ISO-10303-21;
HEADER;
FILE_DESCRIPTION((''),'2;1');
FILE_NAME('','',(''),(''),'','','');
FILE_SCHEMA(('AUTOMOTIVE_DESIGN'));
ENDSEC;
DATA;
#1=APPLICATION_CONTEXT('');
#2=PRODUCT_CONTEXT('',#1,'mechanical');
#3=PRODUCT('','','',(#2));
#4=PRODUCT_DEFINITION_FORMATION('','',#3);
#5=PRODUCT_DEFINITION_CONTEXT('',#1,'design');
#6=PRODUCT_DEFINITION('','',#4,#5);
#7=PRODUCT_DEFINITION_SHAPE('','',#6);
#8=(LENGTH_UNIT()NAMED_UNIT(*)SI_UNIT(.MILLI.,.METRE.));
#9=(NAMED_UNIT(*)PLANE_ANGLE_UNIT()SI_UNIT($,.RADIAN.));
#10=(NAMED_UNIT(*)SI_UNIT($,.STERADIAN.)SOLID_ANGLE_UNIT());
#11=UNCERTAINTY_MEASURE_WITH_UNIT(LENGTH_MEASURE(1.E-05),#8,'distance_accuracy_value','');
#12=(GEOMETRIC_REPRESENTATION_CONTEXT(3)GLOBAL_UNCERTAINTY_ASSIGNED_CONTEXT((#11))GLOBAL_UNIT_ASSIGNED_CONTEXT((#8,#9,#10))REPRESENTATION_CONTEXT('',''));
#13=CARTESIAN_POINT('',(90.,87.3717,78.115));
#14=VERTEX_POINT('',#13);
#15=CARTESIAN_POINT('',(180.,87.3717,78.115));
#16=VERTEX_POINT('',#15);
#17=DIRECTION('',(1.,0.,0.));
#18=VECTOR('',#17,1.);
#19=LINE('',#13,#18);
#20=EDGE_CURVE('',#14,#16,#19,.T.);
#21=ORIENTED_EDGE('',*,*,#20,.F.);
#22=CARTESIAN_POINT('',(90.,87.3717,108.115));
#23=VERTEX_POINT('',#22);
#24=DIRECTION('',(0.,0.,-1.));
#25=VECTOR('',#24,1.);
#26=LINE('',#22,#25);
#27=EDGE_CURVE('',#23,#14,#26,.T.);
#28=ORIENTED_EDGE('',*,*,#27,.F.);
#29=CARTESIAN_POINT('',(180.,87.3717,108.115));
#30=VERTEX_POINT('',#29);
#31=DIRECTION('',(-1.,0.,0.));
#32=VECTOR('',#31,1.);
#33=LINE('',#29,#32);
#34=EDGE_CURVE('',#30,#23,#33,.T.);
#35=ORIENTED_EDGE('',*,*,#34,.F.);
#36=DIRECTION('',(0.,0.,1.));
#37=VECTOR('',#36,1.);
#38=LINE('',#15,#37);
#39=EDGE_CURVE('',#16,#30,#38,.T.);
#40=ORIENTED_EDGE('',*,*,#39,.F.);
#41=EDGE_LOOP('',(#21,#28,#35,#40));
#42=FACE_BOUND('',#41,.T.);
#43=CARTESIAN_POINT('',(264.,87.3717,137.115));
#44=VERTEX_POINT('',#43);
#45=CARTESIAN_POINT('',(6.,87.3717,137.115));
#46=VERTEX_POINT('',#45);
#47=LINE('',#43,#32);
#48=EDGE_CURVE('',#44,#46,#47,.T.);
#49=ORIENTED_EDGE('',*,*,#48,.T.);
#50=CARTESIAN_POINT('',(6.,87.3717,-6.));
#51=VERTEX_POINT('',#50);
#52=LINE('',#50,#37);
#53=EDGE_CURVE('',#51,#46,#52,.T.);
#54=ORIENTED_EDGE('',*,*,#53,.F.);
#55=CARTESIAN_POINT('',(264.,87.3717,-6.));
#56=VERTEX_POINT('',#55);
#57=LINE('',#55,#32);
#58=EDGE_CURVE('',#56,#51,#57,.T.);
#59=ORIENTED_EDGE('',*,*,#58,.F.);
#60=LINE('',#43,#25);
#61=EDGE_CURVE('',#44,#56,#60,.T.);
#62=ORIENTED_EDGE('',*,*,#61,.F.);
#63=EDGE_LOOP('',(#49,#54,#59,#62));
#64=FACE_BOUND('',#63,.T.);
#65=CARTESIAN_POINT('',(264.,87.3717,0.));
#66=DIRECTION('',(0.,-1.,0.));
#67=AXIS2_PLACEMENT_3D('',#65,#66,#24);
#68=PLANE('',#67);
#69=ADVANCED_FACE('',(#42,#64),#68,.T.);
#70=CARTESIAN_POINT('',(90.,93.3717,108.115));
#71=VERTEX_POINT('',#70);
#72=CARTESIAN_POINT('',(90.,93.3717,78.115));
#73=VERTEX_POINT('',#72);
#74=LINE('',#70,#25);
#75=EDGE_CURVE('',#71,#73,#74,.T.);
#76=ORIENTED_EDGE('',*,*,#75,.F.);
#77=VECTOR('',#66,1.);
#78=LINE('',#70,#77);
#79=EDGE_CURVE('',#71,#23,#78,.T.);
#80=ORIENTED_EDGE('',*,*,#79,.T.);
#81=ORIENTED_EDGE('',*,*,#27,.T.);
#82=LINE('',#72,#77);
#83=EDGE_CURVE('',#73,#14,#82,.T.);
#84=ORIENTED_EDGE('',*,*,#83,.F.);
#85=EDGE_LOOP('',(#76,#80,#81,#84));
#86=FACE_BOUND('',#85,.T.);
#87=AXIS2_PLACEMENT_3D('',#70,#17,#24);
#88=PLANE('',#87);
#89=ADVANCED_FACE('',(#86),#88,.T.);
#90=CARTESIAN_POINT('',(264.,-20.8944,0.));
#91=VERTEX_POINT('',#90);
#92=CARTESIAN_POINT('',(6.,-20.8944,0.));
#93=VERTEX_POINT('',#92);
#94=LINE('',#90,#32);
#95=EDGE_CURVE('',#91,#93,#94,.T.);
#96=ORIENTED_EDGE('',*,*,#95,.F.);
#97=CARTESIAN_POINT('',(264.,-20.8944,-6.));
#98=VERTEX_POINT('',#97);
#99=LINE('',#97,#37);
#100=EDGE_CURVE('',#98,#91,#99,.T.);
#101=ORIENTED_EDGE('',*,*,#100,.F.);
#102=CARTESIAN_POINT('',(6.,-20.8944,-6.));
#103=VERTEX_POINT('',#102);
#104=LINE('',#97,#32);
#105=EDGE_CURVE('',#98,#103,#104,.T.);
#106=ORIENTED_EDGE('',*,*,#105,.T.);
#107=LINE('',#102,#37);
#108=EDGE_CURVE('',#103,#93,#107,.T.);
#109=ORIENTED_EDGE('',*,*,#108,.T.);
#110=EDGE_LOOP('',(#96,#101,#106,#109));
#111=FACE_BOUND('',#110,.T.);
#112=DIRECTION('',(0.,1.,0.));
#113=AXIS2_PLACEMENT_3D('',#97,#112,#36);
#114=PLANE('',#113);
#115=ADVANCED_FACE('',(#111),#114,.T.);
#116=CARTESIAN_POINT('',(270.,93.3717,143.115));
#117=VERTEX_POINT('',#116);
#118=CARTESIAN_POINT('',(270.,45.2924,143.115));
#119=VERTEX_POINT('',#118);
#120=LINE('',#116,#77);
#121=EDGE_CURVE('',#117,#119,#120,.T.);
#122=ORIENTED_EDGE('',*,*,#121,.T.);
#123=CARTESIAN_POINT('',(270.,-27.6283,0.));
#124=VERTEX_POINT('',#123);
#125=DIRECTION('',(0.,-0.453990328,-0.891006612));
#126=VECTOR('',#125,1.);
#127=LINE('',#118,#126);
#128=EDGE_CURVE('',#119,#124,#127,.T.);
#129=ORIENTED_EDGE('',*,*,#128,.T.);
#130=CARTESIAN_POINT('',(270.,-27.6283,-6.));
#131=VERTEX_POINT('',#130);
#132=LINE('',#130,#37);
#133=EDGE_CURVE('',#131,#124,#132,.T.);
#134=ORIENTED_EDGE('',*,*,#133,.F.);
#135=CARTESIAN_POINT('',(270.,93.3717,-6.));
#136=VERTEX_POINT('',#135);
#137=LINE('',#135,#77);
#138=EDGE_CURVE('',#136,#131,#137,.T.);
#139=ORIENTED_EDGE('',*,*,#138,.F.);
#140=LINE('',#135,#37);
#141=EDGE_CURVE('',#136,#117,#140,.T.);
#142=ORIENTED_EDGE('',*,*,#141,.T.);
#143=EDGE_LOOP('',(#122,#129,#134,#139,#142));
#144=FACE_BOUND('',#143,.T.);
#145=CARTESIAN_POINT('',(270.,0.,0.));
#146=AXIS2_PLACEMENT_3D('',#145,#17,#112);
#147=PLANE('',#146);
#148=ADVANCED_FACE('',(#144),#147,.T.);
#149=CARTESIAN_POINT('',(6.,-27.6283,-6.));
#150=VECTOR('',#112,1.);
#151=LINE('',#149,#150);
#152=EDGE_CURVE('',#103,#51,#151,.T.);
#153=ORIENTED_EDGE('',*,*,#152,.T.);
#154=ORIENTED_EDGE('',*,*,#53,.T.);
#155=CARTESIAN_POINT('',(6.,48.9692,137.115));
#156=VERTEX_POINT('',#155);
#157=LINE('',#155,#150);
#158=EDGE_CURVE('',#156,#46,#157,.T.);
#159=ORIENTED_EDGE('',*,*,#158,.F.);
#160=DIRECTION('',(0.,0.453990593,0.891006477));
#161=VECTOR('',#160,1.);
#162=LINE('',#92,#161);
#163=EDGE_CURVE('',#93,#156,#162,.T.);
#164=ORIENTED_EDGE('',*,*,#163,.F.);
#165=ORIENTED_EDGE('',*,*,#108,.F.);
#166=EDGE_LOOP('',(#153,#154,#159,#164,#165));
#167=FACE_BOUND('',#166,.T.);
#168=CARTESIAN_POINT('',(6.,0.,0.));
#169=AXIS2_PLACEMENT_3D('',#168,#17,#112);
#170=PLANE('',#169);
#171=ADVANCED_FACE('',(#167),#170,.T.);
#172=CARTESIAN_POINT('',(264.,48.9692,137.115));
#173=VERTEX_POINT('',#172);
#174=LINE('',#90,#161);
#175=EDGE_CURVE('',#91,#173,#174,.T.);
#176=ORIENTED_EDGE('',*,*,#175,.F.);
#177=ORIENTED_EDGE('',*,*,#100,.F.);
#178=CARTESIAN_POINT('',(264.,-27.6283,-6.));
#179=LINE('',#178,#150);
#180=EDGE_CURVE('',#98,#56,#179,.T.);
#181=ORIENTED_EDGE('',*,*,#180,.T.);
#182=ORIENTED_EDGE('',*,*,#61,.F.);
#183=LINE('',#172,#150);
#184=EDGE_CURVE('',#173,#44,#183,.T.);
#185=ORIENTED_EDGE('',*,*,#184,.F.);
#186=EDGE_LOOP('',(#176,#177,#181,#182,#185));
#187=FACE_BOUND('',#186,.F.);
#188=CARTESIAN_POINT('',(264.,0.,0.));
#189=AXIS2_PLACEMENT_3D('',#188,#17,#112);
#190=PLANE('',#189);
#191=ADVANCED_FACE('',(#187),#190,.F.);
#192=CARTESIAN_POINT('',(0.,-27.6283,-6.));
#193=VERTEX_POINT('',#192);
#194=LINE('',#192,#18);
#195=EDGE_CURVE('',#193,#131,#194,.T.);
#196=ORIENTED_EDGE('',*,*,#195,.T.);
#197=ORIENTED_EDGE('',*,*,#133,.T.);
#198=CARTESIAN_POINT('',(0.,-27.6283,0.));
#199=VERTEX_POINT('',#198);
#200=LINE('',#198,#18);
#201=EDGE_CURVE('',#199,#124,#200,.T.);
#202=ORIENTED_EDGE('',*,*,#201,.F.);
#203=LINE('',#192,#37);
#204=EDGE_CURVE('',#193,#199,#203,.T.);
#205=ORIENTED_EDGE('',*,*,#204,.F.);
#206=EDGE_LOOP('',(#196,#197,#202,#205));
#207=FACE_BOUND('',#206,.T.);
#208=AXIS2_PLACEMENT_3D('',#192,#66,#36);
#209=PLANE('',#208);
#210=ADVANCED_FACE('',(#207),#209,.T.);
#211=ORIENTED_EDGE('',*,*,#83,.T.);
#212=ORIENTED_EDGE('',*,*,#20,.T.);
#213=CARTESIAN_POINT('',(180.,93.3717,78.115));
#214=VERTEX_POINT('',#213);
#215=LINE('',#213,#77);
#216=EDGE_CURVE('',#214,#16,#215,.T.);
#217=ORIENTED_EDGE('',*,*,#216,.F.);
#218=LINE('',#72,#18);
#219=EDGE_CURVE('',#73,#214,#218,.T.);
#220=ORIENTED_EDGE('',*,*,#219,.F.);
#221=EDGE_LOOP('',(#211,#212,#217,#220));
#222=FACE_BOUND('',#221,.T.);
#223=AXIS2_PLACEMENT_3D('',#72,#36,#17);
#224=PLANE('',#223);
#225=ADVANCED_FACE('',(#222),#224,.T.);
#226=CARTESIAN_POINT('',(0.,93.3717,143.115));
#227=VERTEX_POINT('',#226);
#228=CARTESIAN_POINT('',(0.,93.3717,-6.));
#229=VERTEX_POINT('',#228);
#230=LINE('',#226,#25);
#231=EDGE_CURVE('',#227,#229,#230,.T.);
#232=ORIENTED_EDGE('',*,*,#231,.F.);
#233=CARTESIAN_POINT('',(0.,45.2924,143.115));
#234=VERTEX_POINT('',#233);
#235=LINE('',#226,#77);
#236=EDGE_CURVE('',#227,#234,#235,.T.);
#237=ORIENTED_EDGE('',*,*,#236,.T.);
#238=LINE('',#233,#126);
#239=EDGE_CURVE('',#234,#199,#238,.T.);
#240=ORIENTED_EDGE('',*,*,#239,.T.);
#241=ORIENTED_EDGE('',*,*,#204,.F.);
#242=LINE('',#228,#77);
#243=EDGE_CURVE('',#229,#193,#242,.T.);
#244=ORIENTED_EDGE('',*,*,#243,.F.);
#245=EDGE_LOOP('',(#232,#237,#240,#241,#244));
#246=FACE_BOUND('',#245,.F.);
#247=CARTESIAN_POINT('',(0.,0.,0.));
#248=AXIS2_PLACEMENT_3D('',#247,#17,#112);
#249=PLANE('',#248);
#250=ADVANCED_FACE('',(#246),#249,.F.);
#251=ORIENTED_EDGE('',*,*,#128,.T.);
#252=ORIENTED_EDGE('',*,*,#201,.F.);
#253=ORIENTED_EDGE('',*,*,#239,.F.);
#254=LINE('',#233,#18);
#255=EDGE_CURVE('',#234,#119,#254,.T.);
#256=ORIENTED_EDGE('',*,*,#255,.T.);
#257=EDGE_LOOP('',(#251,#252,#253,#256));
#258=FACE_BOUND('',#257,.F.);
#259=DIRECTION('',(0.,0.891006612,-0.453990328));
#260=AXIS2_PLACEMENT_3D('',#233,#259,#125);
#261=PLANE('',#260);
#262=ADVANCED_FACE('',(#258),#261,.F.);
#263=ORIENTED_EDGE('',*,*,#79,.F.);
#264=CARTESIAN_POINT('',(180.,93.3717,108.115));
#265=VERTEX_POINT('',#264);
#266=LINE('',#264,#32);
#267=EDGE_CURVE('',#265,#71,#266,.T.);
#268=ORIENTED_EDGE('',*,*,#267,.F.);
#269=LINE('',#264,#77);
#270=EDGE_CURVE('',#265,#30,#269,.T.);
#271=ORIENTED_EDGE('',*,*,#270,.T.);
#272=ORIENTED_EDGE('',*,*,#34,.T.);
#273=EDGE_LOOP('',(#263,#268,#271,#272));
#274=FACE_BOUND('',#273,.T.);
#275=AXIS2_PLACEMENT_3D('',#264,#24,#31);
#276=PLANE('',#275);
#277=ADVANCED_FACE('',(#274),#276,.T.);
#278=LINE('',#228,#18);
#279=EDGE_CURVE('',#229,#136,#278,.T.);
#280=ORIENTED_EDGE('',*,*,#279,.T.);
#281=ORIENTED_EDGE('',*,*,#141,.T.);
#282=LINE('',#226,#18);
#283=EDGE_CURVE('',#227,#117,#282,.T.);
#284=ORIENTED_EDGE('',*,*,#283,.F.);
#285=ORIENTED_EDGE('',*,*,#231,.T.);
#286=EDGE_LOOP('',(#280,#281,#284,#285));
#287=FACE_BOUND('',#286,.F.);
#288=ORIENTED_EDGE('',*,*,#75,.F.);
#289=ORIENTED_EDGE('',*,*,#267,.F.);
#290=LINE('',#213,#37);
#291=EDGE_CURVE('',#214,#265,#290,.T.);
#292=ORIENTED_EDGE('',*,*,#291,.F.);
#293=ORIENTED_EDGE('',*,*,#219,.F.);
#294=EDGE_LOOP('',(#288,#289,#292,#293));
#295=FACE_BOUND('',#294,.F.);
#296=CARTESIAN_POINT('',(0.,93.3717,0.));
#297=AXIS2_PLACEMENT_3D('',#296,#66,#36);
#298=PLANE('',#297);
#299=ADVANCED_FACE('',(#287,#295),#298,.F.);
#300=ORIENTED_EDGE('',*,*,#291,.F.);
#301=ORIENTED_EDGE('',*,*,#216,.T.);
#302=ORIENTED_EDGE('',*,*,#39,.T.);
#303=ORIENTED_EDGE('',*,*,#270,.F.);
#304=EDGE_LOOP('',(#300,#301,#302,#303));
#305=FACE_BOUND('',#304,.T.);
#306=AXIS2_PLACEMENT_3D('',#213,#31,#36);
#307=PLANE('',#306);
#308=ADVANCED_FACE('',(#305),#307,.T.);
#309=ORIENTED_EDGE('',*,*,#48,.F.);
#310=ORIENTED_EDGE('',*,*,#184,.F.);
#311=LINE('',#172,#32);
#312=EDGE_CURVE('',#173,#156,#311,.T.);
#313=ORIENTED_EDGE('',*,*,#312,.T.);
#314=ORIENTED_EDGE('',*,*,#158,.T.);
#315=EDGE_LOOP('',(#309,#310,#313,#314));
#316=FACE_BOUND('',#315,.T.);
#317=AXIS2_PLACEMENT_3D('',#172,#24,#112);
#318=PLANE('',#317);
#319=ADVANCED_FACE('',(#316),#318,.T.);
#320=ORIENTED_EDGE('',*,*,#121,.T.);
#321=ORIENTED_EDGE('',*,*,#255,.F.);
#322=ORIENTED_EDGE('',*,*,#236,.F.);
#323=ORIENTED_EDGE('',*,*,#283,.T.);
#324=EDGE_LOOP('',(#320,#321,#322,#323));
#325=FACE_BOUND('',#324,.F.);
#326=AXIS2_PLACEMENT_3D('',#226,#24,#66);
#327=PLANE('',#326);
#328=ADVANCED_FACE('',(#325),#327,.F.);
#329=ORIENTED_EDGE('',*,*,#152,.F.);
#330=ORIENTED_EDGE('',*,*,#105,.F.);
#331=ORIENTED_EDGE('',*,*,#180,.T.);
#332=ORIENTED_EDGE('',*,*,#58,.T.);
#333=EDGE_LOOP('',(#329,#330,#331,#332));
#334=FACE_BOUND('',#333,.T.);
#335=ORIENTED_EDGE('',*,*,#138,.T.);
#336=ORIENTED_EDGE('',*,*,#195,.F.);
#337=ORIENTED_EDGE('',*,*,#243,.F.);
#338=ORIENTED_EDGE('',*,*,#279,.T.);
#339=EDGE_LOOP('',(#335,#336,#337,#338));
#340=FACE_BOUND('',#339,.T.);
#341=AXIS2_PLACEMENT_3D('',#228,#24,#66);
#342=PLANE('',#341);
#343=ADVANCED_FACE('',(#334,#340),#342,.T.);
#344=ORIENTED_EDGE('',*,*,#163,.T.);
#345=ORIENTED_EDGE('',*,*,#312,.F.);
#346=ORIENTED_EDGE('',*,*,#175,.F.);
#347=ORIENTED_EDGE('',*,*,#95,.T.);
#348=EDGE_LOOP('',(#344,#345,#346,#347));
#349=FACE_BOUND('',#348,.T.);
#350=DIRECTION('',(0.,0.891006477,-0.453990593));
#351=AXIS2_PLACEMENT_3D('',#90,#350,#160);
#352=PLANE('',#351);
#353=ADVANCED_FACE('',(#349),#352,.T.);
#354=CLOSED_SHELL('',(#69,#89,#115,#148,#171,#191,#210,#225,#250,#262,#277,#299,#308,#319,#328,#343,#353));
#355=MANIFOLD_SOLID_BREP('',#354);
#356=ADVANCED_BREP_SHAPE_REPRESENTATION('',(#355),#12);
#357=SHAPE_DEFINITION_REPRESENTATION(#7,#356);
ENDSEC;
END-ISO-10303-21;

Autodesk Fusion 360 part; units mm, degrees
sketch "Unsorted Smarties Holder" plane through (0, 0, 0) normal (1, 0, 0) x (0, 1, 0)
  line L0 (0, 0) -> (93.3717, 0)
  line L1 (93.3717, 0) -> (93.3717, 143.115)
  line L2 (93.3717, 143.115) -> (45.2924, 143.115)
  line L3 (45.2924, 143.115) -> (-27.6283, 0)
  line L4 (-27.6283, 0) -> (0, 0)
  line L5 (-27.6283, 0) -> (93.3717, 0)
  line L6 (93.3717, 0) -> (93.3717, -6)
  line L7 (93.3717, -6) -> (-27.6283, -6)
  line L8 (-27.6283, -6) -> (-27.6283, 0)
  dimension "d5" = 143.115
  dimension "d14" = 63
  dimension "d23" = 121
  dimension "d31" = 6
extrude "Extrude1" add sketch "Unsorted Smarties Holder" along normal blind 270
sketch "Sketch3" plane through (270, 0, 0) normal (1, 0, 0) x (0, 1, 0)
  line L0 (93.3717, -6) -> (93.3717, 143.115)
  line L1 (93.3717, 143.115) -> (45.2924, 143.115)
  line L2 (45.2924, 143.115) -> (-27.6283, 0)
  line L3 (87.3717, 137.115) -> (87.3717, 0)
  line L4 (87.3717, 0) -> (-20.8944, 0)
  line L5 (-20.8944, 0) -> (48.9692, 137.115)
  line L6 (48.9692, 137.115) -> (87.3717, 137.115)
  line L7 (-27.6283, 0) -> (-27.6283, -6)
  line L8 (-27.6283, -6) -> (93.3717, -6)
  line L9 (-20.8944, 0) -> (87.3717, 0)
  line L10 (87.3717, 0) -> (87.3717, -6)
  line L11 (87.3717, -6) -> (-20.8944, -6)
  line L12 (-20.8944, -6) -> (-20.8944, 0)
  dimension "d15" = 6
  dimension "d16" = 6
  dimension "d17" = 6
  dimension "d18" = 6
  dimension "d32" = 6
  dimension "d33" = 6
extrude "Extrude3" cut sketch "Sketch3" against normal blind 258 from surface at -6 contours L4 L8 L9 L10 L11 L12 | L3 L4 L5 L6 L9
sketch "Smarties Feed" plane through (0, 93.3717, 0) normal (0, 1, 0) x (-1, 0, 0)
  line L0 (0, -6) -> (0, 143.115)
  line L1 (0, 143.115) -> (-270, 143.115)
  line L2 (-270, 143.115) -> (-270, -6)
  line L3 (-180, 108.115) -> (-90, 108.115)
  line L4 (-90, 108.115) -> (-90, 78.115)
  line L5 (-90, 78.115) -> (-180, 78.115)
  line L6 (-180, 78.115) -> (-180, 108.115)
  line L7 (-270, -6) -> (0, -6)
  dimension "d24" = 30
  dimension "d25" = 90
  dimension "d26" = 90
  dimension "d27" = 90
  dimension "d28" = 35
extrude "Extrude4" cut sketch "Smarties Feed" against normal blind 6 contours L3 L4 L5 L6
equation "polycarbonateThickness = 6 mm" comment "Thickness of the polycarbonate panels"
equation "d14 = 180 deg - 117 deg"
equation "d15 = polycarbonateThickness"
equation "d16 = polycarbonateThickness"
equation "d17 = polycarbonateThickness"
equation "d18 = polycarbonateThickness"
equation "d20 = -polycarbonateThickness"
equation "d21 = -( 270 mm - 2 * polycarbonateThickness )"
equation "d28 = 41 mm - 6 mm"
equation "d29 = -polycarbonateThickness"
